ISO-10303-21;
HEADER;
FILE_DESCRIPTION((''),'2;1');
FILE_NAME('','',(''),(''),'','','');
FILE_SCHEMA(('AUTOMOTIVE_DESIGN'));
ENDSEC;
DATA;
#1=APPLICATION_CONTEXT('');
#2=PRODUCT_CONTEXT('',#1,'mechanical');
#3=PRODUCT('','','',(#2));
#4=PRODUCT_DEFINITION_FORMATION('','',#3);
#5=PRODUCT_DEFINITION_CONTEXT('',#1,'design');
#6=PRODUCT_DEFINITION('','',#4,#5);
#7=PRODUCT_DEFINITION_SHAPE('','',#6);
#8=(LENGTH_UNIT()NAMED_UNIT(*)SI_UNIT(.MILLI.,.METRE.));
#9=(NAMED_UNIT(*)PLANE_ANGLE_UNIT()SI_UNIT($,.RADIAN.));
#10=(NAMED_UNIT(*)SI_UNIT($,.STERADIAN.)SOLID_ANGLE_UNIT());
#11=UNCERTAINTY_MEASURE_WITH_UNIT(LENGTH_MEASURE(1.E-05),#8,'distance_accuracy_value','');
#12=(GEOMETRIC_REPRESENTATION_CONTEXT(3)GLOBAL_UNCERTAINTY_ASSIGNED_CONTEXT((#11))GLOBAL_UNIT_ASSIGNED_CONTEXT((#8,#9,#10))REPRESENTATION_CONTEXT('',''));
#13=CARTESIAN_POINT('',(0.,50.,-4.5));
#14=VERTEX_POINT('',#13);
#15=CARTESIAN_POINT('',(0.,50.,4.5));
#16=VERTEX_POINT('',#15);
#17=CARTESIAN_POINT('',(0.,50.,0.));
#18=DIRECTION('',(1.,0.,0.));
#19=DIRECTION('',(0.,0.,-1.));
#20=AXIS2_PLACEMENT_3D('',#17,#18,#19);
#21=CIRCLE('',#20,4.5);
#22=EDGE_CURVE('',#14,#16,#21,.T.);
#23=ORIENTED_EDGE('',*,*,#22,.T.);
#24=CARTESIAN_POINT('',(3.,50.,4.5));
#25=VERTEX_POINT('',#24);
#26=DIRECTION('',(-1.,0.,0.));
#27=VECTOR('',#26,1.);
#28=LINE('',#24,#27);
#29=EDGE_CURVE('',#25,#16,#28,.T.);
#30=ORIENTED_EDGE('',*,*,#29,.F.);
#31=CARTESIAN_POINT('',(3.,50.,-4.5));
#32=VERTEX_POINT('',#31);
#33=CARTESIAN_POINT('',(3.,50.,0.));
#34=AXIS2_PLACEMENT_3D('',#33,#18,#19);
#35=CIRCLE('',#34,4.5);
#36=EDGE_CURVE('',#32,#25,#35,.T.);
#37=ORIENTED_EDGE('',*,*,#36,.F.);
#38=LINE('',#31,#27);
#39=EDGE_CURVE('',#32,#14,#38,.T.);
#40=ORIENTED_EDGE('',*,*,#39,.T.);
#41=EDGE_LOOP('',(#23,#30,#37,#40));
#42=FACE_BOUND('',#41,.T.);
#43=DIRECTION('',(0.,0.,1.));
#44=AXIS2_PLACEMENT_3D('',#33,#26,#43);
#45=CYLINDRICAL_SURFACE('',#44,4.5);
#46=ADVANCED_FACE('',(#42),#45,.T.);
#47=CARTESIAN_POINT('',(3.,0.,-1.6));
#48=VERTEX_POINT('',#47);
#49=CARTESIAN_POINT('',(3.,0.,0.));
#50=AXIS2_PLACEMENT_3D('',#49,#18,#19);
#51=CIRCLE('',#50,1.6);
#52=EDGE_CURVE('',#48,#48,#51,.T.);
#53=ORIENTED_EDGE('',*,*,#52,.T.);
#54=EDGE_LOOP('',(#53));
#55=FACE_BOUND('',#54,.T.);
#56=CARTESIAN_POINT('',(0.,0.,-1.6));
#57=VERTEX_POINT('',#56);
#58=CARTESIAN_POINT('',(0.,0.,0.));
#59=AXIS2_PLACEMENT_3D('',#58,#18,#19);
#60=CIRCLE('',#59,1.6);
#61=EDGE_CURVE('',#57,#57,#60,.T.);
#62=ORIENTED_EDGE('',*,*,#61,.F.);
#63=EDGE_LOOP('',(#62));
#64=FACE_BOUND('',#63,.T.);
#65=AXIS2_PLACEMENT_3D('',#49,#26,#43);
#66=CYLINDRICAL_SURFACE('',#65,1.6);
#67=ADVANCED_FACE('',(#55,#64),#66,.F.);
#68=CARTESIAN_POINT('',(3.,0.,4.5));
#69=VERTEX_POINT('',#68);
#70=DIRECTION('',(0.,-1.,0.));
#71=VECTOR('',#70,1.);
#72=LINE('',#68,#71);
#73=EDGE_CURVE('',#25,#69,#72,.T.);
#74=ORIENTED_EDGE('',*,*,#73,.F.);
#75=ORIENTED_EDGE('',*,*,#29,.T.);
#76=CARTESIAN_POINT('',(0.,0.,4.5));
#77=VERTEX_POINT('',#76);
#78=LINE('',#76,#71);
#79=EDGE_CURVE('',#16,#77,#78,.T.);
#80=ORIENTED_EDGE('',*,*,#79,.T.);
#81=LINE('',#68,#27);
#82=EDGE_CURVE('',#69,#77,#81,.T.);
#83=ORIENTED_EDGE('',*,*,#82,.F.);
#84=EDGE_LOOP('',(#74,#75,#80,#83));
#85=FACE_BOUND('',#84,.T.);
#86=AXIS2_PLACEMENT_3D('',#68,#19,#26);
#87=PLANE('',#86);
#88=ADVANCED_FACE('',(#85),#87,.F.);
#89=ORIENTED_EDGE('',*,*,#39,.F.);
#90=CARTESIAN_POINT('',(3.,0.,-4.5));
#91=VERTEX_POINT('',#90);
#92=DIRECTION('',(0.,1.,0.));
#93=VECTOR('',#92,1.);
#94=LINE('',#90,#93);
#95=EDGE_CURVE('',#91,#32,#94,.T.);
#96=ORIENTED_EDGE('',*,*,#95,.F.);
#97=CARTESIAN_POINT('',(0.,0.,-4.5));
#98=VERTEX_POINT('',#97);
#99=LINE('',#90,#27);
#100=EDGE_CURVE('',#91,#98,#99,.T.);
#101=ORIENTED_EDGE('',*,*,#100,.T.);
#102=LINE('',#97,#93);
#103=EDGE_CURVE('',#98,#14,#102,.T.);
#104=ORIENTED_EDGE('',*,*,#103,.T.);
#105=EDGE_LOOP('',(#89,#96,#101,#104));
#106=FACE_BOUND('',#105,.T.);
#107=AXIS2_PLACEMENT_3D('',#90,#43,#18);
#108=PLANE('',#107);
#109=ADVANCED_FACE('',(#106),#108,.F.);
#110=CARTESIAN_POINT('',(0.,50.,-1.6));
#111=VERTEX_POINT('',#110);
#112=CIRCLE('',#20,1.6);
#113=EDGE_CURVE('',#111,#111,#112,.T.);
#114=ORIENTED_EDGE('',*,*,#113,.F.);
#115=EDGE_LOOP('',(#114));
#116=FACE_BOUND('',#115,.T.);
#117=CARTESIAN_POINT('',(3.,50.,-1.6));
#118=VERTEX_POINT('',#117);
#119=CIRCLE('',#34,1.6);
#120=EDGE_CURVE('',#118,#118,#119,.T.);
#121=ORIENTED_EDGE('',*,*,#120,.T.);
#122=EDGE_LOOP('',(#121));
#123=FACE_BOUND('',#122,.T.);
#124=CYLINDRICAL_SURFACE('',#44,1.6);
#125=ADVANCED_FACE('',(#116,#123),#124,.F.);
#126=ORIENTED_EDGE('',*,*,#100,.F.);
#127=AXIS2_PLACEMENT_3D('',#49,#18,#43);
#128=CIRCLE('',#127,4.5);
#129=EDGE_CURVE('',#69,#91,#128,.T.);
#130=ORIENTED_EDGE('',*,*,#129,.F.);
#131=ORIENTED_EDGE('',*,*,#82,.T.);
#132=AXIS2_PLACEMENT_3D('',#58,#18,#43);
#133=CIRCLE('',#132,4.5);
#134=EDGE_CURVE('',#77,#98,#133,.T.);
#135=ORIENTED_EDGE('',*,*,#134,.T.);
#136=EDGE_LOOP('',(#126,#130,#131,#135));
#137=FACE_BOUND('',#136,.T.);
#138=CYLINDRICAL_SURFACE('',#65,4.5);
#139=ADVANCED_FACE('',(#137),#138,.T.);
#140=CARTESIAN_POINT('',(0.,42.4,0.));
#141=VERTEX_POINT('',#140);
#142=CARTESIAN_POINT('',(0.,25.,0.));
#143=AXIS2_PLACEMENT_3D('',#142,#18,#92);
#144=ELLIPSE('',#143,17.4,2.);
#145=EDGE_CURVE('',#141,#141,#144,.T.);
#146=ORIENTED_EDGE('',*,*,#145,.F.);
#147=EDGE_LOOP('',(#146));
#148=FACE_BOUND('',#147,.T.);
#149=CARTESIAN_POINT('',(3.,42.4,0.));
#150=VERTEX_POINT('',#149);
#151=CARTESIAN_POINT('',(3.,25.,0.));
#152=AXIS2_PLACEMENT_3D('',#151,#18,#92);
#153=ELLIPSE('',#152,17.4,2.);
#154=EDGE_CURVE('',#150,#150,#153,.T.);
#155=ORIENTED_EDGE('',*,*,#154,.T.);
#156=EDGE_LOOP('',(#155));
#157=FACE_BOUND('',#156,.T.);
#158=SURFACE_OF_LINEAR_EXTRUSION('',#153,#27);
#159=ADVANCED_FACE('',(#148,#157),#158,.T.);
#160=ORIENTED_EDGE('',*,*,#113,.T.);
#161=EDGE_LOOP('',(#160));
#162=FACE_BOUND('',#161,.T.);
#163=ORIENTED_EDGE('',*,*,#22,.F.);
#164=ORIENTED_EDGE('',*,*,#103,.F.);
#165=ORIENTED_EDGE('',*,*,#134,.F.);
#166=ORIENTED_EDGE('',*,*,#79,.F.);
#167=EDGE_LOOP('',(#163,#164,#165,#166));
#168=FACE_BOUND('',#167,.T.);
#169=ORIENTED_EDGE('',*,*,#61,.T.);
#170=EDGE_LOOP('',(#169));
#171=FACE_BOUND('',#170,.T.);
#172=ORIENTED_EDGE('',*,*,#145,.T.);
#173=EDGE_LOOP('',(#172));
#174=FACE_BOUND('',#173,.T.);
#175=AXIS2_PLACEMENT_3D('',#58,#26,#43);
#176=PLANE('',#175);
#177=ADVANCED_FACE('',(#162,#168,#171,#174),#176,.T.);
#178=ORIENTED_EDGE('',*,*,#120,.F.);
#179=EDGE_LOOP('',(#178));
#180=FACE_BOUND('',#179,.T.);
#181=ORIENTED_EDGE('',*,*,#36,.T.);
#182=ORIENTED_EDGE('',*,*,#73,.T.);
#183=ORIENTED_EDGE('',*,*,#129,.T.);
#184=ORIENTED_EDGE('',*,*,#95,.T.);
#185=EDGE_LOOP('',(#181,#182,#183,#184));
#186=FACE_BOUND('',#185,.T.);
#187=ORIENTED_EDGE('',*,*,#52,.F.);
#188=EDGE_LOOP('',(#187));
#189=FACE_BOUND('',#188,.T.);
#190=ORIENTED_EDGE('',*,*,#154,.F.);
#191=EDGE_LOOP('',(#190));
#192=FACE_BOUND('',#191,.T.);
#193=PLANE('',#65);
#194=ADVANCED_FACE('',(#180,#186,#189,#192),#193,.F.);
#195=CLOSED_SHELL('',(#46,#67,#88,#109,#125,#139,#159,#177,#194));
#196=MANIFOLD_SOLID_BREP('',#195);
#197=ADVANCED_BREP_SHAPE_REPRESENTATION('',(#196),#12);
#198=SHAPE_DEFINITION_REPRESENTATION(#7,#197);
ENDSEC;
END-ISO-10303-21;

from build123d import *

# Parameters (mm, degrees)
SKETCH1_R           = 1.6
SKETCH1_RX          = 17.4
SKETCH1_RY          = 2
BOSS_EXTRUDE1_DEPTH = 3


with BuildPart() as part:
    # Sketch1 → Boss-Extrude1 (new body)
    with BuildSketch(Plane(origin=(0, 0, 0), x_dir=(0, 0, -1), z_dir=(1, 0, 0))):
        with BuildLine():
            Line((-4.5, 0), (-4.5, 50))
            ThreePointArc((-4.5, 50), (0, 54.5), (4.5, 50))
            Line((4.5, 50), (4.5, 0))
            ThreePointArc((4.5, 0), (0, -4.5), (-4.5, 0))
        make_face()
        with Locations((0, 50)):
            Circle(SKETCH1_R, mode=Mode.SUBTRACT)
        Circle(SKETCH1_R, mode=Mode.SUBTRACT)
        with Locations(Location((0, 25), (0, 0, 90))):
            Ellipse(SKETCH1_RX, SKETCH1_RY, mode=Mode.SUBTRACT)
    extrude(amount=BOSS_EXTRUDE1_DEPTH)


solid = part.part
